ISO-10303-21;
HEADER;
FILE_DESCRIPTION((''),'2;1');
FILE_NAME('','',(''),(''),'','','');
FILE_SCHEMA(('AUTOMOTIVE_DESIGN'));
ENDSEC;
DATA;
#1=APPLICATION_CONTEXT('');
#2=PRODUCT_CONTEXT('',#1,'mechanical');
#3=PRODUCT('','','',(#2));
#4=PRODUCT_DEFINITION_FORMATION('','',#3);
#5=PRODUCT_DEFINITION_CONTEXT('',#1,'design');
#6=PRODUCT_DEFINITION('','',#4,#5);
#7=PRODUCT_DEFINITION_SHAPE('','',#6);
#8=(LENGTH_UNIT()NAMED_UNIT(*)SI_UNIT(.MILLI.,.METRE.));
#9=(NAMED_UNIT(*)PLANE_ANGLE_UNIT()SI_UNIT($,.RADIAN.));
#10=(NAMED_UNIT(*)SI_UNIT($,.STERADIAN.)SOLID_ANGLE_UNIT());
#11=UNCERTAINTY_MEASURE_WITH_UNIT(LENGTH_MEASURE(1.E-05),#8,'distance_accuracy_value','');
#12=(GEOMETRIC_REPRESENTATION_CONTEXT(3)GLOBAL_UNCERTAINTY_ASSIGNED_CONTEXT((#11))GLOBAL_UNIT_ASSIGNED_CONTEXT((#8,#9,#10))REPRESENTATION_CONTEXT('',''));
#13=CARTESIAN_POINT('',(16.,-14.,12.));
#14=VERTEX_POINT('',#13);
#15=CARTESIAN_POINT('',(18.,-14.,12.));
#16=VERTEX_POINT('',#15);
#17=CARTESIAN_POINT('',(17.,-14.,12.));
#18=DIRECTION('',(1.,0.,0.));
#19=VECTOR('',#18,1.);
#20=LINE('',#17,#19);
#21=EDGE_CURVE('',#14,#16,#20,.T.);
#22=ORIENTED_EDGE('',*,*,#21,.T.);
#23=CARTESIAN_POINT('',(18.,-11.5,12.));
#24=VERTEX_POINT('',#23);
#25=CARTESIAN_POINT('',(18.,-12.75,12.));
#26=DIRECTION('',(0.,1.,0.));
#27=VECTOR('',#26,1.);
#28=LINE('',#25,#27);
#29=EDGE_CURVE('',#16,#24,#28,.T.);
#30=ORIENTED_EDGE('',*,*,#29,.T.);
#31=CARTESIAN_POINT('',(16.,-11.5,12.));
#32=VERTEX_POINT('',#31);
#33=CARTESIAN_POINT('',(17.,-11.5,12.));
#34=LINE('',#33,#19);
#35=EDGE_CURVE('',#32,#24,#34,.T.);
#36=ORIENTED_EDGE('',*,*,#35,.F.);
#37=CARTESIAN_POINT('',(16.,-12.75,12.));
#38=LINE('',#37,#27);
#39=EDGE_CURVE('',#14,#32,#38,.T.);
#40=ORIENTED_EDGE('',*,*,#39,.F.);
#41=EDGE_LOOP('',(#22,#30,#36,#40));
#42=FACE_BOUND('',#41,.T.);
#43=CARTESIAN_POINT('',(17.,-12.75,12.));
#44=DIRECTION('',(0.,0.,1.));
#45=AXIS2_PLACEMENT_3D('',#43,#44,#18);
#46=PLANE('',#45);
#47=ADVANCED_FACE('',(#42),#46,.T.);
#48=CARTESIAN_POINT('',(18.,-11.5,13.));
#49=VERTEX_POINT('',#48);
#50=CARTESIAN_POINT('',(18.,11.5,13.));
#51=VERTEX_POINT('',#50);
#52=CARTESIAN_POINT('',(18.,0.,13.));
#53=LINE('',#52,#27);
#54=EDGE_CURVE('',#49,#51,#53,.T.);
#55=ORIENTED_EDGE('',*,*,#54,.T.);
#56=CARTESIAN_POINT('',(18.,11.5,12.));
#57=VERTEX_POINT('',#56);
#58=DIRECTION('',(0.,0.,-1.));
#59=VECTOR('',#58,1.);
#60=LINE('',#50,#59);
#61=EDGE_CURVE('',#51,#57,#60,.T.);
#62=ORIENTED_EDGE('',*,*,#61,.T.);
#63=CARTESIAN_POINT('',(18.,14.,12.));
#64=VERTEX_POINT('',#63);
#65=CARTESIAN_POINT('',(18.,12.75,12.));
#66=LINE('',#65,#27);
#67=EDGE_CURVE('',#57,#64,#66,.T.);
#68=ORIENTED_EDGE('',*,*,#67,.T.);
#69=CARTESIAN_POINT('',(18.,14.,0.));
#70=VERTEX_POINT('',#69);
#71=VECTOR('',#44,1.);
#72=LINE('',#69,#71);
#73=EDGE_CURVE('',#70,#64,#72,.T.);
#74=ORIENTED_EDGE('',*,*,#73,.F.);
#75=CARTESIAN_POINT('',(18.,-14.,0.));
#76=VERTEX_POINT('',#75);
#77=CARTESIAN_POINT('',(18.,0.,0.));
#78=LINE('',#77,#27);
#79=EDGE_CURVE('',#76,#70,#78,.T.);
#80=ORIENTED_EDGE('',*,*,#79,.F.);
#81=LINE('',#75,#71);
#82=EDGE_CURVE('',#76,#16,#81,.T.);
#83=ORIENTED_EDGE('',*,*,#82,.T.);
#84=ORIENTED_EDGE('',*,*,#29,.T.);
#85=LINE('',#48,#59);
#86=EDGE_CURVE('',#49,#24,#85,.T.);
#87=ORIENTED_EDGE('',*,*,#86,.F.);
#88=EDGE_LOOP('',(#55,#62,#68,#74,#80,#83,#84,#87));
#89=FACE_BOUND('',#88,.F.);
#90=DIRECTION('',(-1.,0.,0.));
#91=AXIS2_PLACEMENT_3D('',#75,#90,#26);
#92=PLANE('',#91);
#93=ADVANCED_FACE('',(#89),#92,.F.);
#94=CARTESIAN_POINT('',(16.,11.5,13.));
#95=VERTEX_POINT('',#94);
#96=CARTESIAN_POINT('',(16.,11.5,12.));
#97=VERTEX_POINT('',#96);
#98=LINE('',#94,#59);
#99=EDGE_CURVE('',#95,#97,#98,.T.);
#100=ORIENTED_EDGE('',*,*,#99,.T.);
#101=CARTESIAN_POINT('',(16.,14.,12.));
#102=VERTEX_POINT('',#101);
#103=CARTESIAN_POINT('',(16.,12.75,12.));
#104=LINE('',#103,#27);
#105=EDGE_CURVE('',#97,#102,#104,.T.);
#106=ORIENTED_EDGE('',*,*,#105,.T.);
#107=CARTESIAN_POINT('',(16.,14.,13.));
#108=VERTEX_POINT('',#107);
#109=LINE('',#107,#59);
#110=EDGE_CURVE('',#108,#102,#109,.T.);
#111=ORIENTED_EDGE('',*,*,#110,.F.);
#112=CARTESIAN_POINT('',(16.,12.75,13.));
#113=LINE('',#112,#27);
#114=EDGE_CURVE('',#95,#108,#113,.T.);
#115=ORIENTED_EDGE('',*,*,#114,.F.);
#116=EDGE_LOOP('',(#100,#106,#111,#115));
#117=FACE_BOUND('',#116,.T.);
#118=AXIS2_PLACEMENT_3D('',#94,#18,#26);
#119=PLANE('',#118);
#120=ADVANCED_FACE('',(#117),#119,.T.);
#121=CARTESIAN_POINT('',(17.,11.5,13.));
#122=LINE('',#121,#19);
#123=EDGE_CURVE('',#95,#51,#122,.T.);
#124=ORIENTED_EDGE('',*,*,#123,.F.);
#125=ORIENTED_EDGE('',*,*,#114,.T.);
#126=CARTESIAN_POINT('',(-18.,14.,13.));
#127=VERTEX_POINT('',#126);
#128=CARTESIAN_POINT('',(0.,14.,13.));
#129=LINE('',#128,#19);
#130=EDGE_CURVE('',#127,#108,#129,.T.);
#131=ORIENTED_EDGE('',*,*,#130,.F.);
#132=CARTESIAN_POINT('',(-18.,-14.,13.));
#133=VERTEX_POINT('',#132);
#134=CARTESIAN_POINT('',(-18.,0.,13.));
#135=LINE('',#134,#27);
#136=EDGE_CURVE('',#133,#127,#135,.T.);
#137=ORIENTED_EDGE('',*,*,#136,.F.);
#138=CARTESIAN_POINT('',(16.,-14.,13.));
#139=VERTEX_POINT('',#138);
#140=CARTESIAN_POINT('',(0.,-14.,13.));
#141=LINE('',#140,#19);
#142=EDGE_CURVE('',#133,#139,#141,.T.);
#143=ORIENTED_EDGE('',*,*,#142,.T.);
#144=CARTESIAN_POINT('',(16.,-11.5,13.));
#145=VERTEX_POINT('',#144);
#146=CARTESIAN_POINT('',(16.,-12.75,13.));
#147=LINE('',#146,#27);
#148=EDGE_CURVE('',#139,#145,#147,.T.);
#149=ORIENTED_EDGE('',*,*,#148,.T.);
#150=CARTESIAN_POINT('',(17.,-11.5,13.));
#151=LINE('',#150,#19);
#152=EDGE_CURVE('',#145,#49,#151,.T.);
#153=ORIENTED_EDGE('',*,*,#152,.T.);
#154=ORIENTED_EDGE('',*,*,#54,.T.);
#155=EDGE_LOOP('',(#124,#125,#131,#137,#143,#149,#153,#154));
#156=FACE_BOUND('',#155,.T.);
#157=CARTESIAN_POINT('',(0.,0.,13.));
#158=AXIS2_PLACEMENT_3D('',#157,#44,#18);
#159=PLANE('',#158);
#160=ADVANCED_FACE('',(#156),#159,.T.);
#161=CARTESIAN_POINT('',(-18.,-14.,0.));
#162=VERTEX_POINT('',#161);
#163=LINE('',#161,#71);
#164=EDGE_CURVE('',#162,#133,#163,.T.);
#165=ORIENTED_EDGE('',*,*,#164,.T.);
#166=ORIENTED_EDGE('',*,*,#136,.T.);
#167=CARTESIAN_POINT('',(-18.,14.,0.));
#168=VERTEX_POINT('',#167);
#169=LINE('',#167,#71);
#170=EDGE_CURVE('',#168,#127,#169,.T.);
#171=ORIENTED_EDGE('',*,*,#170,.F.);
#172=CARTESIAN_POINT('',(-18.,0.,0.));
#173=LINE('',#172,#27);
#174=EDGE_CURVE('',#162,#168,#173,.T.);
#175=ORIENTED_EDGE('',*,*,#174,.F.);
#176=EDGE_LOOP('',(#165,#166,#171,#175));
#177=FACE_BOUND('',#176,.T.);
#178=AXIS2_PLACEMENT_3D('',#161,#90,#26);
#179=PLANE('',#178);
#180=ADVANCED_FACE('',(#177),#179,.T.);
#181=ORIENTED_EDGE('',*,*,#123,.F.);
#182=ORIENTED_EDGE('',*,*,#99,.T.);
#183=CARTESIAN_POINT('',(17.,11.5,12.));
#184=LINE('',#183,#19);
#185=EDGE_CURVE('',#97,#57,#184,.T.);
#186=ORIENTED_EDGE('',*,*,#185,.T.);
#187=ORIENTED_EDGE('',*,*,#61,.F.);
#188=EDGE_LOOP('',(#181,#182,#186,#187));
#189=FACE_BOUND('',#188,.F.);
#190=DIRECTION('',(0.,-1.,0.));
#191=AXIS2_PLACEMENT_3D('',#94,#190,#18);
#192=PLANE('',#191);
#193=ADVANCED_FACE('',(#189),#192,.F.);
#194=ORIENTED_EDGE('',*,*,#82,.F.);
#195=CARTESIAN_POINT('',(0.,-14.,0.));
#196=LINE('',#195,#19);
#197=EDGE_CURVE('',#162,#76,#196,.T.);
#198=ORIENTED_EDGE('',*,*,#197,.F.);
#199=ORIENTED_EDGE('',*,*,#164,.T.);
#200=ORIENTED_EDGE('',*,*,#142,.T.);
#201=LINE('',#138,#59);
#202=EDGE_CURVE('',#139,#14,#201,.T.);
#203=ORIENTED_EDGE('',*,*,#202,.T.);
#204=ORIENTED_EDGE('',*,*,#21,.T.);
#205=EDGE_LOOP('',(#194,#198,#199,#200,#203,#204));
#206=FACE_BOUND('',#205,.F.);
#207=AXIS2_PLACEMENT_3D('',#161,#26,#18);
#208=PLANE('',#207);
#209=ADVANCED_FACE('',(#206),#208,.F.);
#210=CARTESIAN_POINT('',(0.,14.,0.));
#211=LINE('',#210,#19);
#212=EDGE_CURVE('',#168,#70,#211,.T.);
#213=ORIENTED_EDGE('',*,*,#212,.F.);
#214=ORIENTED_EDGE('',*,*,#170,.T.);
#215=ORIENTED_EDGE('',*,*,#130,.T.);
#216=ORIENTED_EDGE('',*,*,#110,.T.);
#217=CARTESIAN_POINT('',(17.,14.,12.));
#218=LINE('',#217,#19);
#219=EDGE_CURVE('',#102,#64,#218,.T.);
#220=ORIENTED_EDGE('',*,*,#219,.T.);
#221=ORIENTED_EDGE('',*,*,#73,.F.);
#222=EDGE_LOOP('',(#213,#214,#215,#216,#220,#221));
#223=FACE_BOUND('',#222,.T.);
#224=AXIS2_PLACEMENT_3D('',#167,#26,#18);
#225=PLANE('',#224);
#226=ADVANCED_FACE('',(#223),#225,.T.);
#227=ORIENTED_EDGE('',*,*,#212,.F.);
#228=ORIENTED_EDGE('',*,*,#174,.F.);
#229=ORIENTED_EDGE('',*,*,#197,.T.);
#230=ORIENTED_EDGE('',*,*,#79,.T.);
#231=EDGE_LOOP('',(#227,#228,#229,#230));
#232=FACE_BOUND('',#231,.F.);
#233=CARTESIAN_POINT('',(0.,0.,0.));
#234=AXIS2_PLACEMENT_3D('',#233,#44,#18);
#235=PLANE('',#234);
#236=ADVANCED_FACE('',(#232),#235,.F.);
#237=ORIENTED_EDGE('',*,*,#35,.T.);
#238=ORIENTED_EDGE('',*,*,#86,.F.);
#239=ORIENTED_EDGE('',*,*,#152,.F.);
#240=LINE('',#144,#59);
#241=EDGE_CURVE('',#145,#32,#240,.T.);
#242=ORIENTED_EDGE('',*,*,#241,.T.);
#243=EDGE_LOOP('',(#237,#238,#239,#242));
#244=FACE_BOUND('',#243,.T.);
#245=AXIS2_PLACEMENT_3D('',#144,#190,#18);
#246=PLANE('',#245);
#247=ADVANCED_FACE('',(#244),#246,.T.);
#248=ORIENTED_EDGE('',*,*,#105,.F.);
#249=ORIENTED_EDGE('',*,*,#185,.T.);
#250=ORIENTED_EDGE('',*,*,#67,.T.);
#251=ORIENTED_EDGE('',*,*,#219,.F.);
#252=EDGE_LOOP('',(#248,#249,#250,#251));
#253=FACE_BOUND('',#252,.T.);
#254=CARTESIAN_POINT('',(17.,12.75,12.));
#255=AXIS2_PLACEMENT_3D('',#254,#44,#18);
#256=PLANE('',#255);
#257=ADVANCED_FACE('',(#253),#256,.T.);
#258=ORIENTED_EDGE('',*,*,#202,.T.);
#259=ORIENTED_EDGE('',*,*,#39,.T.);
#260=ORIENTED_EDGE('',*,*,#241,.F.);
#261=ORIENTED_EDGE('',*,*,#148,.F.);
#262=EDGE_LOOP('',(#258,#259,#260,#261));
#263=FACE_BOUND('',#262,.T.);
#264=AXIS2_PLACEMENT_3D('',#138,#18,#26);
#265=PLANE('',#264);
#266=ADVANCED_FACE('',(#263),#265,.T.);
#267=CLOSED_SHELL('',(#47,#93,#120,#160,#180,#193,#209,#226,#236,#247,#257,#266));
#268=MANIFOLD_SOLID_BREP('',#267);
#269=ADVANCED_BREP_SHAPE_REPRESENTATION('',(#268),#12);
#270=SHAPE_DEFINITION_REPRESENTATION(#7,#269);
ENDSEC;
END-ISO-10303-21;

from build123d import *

# Parameters (mm, degrees)
F0_W     = 36
F0_H     = 28
F1_DEPTH = 13
F2_W     = 2
F2_H     = 2.5
F3_DEPTH = 1


with BuildPart() as f1:
    # F0 (on Top) → F1 (new body)
    with BuildSketch(Plane.XY):
        Rectangle(F0_W, F0_H)
    extrude(amount=F1_DEPTH)

    # F2 (on face) → F3 (cut)
    with BuildSketch(Plane.XY.offset(13)):
        with Locations((17, -12.75)):
            Rectangle(F2_W, F2_H)
        with Locations((17, 12.75)):
            Rectangle(F2_W, F2_H)
    extrude(amount=-F3_DEPTH, mode=Mode.SUBTRACT)


solid = f1.part
